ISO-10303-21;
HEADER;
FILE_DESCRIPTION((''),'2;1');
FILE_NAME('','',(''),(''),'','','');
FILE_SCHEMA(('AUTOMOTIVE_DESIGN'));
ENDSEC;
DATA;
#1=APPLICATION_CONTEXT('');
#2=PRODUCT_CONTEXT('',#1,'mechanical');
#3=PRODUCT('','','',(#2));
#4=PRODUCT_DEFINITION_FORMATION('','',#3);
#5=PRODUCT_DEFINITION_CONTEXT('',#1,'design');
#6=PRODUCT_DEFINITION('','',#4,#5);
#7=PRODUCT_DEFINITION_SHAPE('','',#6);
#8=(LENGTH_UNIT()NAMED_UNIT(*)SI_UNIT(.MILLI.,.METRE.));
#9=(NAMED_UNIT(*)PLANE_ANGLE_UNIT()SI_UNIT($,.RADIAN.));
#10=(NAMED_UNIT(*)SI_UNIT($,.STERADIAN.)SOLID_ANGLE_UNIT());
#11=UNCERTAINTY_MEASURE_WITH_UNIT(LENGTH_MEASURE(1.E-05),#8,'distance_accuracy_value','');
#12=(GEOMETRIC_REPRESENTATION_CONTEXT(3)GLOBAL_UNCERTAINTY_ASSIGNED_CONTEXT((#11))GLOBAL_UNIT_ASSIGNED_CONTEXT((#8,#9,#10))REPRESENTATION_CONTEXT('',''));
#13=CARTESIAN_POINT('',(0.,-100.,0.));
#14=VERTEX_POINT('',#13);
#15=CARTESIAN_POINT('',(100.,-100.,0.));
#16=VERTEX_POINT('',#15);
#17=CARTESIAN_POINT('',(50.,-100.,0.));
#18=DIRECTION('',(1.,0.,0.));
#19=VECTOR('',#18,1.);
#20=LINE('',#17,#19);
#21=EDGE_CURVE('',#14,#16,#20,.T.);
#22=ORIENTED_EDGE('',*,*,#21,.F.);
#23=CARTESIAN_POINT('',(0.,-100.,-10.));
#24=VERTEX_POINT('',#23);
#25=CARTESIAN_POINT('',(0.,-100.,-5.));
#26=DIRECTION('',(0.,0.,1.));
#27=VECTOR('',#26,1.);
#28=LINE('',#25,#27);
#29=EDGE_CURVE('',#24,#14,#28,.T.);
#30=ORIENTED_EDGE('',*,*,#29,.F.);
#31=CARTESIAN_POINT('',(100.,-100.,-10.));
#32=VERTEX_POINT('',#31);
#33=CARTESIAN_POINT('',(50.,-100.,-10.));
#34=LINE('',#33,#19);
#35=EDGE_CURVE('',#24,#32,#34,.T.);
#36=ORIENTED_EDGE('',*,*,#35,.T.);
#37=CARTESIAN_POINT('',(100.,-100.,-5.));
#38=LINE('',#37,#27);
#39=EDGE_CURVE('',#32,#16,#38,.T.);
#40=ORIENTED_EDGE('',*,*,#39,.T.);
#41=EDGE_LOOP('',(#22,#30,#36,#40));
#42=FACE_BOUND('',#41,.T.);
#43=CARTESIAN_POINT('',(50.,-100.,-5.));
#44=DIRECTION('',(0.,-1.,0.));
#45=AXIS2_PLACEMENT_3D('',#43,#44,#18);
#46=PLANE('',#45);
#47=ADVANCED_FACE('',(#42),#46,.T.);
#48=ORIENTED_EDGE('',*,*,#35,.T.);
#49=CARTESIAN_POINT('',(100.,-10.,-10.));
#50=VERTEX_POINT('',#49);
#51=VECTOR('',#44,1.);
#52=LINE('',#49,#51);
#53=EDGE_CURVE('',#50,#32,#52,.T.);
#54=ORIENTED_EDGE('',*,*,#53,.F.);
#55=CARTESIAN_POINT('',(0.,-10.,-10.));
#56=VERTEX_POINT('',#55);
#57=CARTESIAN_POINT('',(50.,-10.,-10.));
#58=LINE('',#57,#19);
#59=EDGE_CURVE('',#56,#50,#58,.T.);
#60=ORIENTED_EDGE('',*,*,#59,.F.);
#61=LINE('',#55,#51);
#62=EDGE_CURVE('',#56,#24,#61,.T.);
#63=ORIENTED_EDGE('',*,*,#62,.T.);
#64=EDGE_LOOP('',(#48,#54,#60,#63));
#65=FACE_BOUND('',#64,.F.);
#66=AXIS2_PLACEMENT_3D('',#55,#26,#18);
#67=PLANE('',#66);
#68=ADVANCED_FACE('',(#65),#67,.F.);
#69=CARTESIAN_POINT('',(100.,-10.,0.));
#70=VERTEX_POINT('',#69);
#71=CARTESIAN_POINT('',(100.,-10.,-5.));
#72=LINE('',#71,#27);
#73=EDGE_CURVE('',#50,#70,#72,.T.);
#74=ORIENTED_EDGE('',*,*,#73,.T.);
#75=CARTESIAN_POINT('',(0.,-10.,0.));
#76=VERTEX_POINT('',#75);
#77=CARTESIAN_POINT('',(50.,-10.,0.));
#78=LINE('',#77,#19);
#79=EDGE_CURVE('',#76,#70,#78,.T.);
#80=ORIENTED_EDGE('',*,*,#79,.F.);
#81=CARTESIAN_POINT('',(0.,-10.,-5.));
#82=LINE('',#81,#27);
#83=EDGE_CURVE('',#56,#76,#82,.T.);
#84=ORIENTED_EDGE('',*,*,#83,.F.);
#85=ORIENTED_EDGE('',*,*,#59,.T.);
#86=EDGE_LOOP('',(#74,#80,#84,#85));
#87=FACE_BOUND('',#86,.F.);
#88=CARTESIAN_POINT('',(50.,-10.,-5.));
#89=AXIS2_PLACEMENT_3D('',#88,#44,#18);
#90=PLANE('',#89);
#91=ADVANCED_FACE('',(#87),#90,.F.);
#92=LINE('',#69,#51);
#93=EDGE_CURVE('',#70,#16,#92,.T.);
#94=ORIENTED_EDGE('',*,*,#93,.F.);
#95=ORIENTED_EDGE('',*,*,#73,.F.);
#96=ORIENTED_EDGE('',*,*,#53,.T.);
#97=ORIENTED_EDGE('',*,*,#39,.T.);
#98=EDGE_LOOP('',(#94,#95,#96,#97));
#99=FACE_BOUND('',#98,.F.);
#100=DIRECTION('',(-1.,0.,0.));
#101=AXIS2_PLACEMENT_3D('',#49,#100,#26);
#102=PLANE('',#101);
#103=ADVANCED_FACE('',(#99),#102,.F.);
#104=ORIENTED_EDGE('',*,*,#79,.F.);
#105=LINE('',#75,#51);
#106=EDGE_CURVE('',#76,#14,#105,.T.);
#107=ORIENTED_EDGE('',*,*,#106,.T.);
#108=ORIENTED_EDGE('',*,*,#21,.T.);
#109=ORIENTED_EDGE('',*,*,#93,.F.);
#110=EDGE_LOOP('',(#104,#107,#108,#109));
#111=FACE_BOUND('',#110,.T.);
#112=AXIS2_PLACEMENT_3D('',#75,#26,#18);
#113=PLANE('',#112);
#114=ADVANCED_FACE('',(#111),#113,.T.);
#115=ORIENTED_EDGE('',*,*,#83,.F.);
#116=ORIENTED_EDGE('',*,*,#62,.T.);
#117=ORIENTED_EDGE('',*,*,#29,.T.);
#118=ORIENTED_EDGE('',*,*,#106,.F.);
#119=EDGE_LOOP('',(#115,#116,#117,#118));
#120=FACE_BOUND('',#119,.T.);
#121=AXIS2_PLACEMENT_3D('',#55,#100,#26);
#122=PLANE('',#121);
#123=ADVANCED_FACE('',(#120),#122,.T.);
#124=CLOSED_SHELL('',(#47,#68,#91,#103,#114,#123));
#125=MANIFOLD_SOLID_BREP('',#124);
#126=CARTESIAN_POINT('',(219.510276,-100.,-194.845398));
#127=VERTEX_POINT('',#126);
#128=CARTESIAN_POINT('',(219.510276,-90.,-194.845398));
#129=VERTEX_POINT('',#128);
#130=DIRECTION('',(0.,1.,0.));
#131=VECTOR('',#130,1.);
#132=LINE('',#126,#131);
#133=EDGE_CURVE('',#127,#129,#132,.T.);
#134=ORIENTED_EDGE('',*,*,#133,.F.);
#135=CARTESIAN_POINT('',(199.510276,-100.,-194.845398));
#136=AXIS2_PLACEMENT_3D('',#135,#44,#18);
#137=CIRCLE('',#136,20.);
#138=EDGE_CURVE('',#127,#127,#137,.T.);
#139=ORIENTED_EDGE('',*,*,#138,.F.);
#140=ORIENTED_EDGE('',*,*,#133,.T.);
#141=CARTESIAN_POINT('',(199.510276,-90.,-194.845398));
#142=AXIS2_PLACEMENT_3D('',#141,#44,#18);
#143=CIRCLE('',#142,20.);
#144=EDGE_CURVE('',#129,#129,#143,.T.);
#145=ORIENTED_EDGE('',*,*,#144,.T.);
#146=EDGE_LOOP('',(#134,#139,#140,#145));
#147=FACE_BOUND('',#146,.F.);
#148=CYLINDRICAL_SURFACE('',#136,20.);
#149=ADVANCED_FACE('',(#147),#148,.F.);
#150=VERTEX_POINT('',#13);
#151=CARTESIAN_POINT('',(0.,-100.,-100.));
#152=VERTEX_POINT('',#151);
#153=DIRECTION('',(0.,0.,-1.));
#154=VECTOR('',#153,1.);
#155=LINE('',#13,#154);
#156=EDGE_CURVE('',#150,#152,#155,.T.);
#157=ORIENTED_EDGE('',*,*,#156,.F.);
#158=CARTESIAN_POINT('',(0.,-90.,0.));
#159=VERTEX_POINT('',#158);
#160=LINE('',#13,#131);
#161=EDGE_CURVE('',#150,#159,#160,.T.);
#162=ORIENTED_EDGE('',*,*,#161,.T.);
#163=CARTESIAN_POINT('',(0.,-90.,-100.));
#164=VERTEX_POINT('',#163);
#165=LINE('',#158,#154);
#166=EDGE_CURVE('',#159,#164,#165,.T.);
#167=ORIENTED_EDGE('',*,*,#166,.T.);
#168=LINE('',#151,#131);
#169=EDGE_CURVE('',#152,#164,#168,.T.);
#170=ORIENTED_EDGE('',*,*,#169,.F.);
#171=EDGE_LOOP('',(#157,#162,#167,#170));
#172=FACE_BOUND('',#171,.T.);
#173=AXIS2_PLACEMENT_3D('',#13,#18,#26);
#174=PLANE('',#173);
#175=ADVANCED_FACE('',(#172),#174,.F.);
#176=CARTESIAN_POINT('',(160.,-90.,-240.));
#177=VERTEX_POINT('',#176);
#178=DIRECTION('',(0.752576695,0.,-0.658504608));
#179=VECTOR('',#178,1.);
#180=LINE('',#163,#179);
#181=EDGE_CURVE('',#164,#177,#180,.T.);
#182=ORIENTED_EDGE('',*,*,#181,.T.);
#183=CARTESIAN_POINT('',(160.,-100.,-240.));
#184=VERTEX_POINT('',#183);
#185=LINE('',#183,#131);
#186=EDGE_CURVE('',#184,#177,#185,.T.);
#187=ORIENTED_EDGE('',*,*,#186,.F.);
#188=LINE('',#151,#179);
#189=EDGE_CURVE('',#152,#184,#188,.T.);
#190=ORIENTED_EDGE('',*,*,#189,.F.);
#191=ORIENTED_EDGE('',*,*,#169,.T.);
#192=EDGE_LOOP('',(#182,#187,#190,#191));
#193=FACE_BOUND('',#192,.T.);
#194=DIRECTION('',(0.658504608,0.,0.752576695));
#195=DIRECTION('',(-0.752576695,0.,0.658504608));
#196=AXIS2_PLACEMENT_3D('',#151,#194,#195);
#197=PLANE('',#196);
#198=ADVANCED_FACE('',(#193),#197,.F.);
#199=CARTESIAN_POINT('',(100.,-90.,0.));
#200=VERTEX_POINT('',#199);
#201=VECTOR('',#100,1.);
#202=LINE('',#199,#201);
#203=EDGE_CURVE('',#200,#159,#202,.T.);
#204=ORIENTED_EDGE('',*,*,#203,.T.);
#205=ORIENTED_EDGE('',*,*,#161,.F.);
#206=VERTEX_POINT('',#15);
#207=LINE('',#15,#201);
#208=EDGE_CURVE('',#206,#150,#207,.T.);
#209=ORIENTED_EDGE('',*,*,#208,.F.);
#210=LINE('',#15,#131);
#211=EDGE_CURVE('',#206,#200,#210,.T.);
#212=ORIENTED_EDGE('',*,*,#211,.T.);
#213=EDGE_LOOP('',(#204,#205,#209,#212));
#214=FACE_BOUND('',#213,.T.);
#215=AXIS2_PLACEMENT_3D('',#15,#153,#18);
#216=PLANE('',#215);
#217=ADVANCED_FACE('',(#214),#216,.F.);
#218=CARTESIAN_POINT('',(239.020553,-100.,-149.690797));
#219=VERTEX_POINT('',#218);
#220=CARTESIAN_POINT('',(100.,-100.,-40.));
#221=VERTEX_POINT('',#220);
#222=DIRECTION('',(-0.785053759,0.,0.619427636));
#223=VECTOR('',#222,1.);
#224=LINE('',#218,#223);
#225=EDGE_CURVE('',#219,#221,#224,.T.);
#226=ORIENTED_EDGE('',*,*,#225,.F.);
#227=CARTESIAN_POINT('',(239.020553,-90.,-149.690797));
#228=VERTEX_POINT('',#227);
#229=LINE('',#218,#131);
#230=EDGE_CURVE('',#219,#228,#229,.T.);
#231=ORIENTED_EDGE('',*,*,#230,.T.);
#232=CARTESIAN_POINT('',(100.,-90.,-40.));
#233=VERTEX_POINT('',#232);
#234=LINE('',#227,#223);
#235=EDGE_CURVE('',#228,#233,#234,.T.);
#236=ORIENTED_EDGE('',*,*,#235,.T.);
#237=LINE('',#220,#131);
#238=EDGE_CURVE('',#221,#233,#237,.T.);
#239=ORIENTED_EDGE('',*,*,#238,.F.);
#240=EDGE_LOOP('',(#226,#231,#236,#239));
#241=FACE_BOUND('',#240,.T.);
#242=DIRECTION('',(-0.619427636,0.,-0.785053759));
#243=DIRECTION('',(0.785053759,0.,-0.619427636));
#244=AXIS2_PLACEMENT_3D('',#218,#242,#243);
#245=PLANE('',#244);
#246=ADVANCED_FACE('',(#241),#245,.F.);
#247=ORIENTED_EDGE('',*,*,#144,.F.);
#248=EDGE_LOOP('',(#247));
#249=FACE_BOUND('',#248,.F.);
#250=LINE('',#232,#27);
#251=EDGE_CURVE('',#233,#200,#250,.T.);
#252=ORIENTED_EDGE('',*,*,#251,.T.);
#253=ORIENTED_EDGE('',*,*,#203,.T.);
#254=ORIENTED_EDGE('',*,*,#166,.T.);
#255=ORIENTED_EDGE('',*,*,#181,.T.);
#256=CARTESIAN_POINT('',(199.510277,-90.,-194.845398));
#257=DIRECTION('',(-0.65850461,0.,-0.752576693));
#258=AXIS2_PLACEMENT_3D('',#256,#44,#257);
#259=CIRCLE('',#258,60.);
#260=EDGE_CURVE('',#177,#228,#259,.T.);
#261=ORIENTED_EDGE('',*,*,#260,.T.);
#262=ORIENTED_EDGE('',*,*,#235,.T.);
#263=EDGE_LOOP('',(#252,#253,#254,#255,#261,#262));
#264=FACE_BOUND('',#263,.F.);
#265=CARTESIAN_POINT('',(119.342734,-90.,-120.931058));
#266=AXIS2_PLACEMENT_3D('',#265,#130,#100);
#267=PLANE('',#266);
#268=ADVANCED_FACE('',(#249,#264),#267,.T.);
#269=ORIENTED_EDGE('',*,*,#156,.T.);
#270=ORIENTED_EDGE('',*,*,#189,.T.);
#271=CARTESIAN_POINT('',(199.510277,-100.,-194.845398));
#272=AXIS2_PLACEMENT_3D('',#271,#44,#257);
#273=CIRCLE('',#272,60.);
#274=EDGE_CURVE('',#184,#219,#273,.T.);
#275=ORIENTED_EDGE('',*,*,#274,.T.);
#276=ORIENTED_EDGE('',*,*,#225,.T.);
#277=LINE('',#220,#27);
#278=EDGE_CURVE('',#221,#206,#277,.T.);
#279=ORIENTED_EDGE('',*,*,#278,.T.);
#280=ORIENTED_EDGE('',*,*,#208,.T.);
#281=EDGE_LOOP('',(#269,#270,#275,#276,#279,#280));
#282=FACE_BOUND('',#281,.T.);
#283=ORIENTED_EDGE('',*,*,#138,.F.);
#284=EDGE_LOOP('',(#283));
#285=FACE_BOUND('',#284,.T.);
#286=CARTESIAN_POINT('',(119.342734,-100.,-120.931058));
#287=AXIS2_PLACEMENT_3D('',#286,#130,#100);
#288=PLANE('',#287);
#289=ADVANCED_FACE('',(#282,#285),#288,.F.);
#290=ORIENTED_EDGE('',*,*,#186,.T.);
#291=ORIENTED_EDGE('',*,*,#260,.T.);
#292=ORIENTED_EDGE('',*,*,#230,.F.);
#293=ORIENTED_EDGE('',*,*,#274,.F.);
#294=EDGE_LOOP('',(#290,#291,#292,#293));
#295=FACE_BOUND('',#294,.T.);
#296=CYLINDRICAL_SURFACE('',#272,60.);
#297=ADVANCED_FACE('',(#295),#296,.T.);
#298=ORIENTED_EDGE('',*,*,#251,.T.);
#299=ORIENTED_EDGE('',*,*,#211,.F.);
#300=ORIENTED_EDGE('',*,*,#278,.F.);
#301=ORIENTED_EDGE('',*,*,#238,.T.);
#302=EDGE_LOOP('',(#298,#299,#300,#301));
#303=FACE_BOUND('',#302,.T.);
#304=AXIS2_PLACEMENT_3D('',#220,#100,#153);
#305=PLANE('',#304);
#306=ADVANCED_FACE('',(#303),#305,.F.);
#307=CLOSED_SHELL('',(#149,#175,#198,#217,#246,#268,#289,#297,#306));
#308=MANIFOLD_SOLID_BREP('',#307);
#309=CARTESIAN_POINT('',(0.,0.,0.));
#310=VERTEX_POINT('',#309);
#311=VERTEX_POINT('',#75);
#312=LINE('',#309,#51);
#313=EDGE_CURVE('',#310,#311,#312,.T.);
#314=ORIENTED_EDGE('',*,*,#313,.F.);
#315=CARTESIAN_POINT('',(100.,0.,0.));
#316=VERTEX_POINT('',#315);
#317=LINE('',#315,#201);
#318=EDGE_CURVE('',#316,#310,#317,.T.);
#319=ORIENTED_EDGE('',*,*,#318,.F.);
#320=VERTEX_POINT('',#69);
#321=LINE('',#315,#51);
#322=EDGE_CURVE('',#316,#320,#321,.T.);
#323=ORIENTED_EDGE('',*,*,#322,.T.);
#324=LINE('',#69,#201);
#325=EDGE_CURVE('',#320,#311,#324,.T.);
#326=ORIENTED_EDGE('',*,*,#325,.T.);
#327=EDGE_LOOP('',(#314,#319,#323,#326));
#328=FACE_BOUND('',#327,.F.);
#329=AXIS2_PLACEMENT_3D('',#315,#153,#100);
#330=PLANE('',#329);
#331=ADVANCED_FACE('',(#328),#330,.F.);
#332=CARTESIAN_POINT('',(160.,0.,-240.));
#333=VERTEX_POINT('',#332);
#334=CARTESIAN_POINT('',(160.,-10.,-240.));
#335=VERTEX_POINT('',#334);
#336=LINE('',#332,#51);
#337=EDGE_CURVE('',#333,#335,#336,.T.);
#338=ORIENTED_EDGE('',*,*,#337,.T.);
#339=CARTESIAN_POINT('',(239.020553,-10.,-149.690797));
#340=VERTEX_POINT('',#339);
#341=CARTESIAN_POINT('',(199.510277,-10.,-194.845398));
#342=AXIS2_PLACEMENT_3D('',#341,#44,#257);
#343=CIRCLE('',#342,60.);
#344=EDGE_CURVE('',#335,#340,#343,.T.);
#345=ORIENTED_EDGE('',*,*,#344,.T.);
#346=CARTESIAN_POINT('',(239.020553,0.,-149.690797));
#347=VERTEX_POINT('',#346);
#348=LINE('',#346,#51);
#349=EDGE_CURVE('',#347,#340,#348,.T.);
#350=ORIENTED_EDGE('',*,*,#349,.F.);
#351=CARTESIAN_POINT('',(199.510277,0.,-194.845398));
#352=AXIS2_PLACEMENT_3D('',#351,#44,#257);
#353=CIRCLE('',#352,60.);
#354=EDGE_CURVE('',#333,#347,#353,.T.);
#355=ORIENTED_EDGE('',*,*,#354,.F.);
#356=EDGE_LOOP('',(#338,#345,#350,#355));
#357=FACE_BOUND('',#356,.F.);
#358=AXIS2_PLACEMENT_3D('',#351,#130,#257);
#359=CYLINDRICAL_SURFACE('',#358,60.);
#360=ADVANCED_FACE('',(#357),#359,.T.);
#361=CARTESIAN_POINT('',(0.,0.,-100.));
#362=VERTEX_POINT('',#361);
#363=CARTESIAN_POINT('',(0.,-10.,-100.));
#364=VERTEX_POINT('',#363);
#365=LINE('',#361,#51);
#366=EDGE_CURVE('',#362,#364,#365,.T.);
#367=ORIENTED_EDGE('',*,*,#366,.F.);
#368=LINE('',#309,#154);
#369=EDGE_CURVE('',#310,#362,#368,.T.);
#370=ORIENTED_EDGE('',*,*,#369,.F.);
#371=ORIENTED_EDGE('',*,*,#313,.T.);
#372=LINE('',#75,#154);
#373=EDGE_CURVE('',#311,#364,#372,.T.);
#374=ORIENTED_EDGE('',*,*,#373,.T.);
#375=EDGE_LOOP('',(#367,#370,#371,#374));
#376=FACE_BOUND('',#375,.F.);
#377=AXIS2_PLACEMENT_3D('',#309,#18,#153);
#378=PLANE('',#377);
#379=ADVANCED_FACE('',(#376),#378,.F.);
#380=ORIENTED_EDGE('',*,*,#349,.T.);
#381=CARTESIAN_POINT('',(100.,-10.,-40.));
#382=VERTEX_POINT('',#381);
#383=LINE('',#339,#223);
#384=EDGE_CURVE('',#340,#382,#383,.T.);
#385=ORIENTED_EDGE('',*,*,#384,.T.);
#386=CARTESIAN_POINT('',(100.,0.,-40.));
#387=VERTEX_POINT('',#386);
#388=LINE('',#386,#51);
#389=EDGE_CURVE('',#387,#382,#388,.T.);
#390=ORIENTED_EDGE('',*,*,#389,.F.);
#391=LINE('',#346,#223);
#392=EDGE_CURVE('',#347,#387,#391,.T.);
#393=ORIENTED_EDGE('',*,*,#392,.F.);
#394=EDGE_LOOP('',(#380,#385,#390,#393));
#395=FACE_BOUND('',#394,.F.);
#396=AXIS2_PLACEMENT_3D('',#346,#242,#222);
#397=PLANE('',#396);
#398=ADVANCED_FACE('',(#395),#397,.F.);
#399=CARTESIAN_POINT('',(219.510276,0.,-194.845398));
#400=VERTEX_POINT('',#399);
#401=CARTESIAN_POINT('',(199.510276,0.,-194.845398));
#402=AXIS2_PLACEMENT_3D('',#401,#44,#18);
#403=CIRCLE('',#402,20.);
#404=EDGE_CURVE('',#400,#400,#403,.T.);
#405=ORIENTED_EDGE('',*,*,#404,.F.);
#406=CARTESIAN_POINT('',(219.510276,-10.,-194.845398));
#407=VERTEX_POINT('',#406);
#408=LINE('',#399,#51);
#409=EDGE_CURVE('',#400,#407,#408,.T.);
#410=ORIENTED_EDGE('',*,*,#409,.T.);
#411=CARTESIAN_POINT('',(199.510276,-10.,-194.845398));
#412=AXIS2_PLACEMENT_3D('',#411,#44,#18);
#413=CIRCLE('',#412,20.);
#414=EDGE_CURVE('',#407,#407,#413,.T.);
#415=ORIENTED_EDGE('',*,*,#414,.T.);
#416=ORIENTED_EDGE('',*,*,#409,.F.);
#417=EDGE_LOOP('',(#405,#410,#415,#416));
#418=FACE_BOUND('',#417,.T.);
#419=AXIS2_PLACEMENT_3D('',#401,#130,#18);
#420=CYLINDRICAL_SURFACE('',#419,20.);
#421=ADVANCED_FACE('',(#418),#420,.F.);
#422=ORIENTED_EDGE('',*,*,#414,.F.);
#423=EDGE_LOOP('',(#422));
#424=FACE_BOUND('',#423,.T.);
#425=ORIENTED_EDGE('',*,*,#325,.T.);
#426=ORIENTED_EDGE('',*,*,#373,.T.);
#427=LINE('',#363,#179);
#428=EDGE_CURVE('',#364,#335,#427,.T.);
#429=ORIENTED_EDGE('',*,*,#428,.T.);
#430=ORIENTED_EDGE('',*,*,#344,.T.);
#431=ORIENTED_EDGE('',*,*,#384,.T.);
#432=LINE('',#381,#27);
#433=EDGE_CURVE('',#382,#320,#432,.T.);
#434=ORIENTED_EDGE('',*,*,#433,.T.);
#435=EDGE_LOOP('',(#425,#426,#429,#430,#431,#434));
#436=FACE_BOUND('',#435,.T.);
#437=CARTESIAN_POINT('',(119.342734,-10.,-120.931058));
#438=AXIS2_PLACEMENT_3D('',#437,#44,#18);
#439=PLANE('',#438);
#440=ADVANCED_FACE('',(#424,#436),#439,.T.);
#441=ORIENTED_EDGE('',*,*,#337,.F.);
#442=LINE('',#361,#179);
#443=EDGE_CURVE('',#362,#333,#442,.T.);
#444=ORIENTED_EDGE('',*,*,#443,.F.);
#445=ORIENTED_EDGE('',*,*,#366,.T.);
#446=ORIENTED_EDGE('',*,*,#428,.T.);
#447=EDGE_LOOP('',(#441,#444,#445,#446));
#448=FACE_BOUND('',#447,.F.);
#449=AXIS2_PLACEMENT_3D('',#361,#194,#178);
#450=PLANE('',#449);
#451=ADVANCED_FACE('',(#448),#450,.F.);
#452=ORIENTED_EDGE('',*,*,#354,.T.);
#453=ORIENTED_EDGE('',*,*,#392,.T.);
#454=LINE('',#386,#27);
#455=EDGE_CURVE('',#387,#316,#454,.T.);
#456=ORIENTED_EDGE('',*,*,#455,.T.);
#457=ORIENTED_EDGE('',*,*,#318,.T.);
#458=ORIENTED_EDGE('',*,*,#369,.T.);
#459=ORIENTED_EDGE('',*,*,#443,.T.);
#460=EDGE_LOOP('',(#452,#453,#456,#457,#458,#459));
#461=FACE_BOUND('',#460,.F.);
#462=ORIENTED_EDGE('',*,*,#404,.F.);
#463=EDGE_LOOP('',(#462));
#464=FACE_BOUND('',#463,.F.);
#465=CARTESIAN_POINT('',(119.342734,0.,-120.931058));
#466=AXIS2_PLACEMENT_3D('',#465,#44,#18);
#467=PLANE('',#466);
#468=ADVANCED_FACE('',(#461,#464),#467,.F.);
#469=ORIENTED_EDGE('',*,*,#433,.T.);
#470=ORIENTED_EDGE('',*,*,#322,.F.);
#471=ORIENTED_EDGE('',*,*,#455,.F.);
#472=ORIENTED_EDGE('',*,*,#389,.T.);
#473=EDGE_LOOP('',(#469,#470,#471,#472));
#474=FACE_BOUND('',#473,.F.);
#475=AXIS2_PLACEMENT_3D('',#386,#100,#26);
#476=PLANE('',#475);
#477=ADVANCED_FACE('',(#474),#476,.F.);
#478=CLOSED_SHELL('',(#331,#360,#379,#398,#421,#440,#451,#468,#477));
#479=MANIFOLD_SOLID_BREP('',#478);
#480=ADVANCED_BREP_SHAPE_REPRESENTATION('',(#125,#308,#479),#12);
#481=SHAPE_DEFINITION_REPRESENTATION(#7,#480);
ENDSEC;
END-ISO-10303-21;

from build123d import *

# Parameters (mm, degrees)
F0_R     = 20
F1_DEPTH = 10
F4_W     = 100
F4_H     = 10
F5_DEPTH = 90


with BuildPart() as f1:
    # F0 (on Front) → F1 (new body)
    with BuildSketch(Plane.XZ):
        with BuildLine():
            Line((50, 0), (0, 0))
            Line((0, 0), (0, -100))
            Line((0, -100), (160, -240))
            ThreePointArc((160, -240), (244.664878, -234.355675), (239.020553, -149.690797))
            Line((239.020553, -149.690797), (100, -40))
            Line((100, -40), (100, 0))
            Line((100, 0), (50, 0))
        make_face()
        with Locations((199.510276, -194.845398)):
            Circle(F0_R, mode=Mode.SUBTRACT)
    extrude(amount=F1_DEPTH)


with BuildPart() as f3_1:
    # F3: instance of F1
    add(f1.part.mirror(Plane(origin=(120.487236, -50, -125.003988), x_dir=(1, 0, 0), z_dir=(0, -1, 0))))


with BuildPart() as f5:
    # F4 (on face) → F5 (new body)
    with BuildSketch(Plane.XZ.offset(10)):
        with Locations((50, -5)):
            Rectangle(F4_W, F4_H)
    extrude(amount=F5_DEPTH)


solid = Compound([f1.part, f3_1.part, f5.part])
